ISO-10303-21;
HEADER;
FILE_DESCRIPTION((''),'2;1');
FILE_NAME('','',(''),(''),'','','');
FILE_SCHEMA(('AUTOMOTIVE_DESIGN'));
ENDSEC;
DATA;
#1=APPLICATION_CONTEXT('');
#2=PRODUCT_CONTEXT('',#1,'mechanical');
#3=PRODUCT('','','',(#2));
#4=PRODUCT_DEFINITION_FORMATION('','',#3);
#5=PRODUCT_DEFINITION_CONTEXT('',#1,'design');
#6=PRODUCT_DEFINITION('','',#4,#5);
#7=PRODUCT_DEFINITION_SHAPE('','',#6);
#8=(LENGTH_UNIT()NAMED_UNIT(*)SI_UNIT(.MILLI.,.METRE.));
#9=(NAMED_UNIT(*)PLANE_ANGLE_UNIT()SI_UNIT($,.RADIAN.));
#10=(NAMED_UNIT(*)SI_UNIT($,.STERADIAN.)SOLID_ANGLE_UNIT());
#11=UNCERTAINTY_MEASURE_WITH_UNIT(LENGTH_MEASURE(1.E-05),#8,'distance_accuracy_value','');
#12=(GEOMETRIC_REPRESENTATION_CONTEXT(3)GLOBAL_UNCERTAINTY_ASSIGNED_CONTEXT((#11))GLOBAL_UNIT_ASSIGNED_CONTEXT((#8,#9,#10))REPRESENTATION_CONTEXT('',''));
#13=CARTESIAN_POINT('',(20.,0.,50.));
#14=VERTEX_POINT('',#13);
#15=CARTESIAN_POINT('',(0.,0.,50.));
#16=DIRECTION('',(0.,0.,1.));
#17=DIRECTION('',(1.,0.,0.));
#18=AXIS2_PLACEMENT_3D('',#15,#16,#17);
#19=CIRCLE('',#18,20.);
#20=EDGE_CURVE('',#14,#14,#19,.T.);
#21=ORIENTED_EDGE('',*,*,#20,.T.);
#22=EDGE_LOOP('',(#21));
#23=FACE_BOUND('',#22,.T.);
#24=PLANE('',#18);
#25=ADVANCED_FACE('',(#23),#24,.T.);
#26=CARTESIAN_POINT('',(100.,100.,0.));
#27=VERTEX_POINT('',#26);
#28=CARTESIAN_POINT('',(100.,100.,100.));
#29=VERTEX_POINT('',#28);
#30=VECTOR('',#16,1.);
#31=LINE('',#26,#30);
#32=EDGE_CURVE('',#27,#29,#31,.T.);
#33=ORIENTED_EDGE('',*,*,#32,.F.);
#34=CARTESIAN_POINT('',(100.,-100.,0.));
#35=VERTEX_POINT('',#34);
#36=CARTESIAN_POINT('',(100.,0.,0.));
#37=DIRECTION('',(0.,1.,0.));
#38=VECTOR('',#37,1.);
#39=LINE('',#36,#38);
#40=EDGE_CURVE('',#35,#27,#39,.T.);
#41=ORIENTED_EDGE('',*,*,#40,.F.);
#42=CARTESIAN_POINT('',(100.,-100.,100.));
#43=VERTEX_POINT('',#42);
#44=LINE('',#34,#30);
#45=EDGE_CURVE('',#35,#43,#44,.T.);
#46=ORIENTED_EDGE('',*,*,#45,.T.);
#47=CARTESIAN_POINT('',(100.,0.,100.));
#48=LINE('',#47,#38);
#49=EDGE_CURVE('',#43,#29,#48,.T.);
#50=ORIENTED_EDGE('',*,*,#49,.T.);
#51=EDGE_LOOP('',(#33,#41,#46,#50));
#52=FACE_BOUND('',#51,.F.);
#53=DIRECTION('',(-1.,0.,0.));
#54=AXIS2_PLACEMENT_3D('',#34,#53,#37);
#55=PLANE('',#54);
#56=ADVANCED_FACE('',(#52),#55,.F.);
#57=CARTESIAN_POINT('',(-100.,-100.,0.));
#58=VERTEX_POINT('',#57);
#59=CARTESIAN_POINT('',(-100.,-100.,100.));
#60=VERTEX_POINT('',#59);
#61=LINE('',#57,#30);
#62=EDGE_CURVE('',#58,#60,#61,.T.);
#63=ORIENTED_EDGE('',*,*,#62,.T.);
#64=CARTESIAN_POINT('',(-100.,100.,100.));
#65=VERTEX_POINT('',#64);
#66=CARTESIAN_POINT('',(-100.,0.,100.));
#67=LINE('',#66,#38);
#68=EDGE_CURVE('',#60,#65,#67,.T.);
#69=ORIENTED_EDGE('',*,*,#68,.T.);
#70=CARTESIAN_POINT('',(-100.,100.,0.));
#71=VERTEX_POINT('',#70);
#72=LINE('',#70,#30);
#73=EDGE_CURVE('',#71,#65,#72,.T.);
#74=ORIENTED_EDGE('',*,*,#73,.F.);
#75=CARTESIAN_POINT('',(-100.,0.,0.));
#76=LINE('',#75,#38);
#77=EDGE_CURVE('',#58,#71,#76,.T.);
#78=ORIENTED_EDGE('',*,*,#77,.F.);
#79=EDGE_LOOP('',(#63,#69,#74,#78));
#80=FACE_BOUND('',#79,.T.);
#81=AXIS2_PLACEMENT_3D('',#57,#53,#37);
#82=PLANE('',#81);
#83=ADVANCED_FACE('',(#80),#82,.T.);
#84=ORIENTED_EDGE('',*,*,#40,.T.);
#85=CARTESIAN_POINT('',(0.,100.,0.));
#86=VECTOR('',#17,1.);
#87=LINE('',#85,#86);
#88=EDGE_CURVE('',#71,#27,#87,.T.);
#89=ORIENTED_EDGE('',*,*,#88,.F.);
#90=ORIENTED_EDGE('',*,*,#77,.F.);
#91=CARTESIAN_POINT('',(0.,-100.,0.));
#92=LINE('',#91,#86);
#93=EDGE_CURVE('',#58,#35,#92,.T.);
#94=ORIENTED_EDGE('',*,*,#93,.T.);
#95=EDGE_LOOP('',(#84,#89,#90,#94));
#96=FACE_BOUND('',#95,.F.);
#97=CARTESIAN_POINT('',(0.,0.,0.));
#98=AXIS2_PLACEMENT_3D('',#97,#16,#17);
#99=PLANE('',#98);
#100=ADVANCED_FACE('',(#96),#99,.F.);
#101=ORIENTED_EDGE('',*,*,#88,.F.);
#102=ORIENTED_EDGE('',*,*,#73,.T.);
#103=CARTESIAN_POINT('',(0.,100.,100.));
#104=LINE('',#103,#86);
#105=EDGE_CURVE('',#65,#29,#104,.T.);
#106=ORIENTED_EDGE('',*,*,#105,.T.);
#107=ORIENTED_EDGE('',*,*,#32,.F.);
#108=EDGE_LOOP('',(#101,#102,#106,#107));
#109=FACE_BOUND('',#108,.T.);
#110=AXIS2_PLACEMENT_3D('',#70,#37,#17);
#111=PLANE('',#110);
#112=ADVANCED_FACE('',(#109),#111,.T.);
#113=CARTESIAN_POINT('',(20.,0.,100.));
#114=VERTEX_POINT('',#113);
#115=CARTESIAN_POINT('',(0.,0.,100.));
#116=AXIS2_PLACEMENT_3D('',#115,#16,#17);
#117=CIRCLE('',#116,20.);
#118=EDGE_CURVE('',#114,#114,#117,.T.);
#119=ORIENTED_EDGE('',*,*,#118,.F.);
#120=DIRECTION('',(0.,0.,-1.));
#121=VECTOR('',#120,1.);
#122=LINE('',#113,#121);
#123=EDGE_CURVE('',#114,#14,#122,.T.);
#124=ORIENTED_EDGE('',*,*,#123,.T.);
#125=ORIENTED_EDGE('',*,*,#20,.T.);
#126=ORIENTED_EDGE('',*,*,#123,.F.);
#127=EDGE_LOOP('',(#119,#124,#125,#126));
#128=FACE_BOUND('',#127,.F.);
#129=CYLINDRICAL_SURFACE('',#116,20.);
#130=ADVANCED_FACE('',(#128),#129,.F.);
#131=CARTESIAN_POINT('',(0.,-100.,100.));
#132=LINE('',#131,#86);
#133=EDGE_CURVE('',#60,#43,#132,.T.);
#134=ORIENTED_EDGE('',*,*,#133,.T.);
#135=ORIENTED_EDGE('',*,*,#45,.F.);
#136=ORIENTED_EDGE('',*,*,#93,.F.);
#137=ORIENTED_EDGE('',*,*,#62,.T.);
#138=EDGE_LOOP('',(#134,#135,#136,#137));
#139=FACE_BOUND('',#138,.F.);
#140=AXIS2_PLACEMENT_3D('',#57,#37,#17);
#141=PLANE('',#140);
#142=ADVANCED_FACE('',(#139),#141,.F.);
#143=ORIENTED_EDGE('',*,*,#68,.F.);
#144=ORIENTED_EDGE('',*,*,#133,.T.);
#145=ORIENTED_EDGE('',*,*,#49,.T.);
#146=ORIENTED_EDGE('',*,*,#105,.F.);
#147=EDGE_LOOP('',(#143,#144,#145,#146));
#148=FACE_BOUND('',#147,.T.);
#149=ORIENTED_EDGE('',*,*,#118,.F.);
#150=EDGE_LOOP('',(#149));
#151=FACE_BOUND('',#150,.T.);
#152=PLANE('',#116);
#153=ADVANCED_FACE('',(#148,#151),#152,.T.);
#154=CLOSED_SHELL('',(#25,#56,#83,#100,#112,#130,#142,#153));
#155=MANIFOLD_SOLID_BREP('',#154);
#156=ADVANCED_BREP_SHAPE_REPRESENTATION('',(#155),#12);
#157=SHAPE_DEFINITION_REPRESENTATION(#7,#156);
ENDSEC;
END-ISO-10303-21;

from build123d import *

# Parameters (mm, degrees)
SKETCH_W     = 200
SKETCH_H     = 200
PAD_DEPTH    = 100
SKETCH001_R  = 20
POCKET_DEPTH = 50


with BuildPart() as part:
    # Sketch → Pad (new body)
    with BuildSketch(Plane.XY):
        Rectangle(SKETCH_W, SKETCH_H)
    extrude(amount=PAD_DEPTH)

    # Sketch001 → Pocket (cut)
    with BuildSketch(Plane.XY.offset(100)):
        Circle(SKETCH001_R)
    extrude(amount=-POCKET_DEPTH, mode=Mode.SUBTRACT)


solid = part.part
